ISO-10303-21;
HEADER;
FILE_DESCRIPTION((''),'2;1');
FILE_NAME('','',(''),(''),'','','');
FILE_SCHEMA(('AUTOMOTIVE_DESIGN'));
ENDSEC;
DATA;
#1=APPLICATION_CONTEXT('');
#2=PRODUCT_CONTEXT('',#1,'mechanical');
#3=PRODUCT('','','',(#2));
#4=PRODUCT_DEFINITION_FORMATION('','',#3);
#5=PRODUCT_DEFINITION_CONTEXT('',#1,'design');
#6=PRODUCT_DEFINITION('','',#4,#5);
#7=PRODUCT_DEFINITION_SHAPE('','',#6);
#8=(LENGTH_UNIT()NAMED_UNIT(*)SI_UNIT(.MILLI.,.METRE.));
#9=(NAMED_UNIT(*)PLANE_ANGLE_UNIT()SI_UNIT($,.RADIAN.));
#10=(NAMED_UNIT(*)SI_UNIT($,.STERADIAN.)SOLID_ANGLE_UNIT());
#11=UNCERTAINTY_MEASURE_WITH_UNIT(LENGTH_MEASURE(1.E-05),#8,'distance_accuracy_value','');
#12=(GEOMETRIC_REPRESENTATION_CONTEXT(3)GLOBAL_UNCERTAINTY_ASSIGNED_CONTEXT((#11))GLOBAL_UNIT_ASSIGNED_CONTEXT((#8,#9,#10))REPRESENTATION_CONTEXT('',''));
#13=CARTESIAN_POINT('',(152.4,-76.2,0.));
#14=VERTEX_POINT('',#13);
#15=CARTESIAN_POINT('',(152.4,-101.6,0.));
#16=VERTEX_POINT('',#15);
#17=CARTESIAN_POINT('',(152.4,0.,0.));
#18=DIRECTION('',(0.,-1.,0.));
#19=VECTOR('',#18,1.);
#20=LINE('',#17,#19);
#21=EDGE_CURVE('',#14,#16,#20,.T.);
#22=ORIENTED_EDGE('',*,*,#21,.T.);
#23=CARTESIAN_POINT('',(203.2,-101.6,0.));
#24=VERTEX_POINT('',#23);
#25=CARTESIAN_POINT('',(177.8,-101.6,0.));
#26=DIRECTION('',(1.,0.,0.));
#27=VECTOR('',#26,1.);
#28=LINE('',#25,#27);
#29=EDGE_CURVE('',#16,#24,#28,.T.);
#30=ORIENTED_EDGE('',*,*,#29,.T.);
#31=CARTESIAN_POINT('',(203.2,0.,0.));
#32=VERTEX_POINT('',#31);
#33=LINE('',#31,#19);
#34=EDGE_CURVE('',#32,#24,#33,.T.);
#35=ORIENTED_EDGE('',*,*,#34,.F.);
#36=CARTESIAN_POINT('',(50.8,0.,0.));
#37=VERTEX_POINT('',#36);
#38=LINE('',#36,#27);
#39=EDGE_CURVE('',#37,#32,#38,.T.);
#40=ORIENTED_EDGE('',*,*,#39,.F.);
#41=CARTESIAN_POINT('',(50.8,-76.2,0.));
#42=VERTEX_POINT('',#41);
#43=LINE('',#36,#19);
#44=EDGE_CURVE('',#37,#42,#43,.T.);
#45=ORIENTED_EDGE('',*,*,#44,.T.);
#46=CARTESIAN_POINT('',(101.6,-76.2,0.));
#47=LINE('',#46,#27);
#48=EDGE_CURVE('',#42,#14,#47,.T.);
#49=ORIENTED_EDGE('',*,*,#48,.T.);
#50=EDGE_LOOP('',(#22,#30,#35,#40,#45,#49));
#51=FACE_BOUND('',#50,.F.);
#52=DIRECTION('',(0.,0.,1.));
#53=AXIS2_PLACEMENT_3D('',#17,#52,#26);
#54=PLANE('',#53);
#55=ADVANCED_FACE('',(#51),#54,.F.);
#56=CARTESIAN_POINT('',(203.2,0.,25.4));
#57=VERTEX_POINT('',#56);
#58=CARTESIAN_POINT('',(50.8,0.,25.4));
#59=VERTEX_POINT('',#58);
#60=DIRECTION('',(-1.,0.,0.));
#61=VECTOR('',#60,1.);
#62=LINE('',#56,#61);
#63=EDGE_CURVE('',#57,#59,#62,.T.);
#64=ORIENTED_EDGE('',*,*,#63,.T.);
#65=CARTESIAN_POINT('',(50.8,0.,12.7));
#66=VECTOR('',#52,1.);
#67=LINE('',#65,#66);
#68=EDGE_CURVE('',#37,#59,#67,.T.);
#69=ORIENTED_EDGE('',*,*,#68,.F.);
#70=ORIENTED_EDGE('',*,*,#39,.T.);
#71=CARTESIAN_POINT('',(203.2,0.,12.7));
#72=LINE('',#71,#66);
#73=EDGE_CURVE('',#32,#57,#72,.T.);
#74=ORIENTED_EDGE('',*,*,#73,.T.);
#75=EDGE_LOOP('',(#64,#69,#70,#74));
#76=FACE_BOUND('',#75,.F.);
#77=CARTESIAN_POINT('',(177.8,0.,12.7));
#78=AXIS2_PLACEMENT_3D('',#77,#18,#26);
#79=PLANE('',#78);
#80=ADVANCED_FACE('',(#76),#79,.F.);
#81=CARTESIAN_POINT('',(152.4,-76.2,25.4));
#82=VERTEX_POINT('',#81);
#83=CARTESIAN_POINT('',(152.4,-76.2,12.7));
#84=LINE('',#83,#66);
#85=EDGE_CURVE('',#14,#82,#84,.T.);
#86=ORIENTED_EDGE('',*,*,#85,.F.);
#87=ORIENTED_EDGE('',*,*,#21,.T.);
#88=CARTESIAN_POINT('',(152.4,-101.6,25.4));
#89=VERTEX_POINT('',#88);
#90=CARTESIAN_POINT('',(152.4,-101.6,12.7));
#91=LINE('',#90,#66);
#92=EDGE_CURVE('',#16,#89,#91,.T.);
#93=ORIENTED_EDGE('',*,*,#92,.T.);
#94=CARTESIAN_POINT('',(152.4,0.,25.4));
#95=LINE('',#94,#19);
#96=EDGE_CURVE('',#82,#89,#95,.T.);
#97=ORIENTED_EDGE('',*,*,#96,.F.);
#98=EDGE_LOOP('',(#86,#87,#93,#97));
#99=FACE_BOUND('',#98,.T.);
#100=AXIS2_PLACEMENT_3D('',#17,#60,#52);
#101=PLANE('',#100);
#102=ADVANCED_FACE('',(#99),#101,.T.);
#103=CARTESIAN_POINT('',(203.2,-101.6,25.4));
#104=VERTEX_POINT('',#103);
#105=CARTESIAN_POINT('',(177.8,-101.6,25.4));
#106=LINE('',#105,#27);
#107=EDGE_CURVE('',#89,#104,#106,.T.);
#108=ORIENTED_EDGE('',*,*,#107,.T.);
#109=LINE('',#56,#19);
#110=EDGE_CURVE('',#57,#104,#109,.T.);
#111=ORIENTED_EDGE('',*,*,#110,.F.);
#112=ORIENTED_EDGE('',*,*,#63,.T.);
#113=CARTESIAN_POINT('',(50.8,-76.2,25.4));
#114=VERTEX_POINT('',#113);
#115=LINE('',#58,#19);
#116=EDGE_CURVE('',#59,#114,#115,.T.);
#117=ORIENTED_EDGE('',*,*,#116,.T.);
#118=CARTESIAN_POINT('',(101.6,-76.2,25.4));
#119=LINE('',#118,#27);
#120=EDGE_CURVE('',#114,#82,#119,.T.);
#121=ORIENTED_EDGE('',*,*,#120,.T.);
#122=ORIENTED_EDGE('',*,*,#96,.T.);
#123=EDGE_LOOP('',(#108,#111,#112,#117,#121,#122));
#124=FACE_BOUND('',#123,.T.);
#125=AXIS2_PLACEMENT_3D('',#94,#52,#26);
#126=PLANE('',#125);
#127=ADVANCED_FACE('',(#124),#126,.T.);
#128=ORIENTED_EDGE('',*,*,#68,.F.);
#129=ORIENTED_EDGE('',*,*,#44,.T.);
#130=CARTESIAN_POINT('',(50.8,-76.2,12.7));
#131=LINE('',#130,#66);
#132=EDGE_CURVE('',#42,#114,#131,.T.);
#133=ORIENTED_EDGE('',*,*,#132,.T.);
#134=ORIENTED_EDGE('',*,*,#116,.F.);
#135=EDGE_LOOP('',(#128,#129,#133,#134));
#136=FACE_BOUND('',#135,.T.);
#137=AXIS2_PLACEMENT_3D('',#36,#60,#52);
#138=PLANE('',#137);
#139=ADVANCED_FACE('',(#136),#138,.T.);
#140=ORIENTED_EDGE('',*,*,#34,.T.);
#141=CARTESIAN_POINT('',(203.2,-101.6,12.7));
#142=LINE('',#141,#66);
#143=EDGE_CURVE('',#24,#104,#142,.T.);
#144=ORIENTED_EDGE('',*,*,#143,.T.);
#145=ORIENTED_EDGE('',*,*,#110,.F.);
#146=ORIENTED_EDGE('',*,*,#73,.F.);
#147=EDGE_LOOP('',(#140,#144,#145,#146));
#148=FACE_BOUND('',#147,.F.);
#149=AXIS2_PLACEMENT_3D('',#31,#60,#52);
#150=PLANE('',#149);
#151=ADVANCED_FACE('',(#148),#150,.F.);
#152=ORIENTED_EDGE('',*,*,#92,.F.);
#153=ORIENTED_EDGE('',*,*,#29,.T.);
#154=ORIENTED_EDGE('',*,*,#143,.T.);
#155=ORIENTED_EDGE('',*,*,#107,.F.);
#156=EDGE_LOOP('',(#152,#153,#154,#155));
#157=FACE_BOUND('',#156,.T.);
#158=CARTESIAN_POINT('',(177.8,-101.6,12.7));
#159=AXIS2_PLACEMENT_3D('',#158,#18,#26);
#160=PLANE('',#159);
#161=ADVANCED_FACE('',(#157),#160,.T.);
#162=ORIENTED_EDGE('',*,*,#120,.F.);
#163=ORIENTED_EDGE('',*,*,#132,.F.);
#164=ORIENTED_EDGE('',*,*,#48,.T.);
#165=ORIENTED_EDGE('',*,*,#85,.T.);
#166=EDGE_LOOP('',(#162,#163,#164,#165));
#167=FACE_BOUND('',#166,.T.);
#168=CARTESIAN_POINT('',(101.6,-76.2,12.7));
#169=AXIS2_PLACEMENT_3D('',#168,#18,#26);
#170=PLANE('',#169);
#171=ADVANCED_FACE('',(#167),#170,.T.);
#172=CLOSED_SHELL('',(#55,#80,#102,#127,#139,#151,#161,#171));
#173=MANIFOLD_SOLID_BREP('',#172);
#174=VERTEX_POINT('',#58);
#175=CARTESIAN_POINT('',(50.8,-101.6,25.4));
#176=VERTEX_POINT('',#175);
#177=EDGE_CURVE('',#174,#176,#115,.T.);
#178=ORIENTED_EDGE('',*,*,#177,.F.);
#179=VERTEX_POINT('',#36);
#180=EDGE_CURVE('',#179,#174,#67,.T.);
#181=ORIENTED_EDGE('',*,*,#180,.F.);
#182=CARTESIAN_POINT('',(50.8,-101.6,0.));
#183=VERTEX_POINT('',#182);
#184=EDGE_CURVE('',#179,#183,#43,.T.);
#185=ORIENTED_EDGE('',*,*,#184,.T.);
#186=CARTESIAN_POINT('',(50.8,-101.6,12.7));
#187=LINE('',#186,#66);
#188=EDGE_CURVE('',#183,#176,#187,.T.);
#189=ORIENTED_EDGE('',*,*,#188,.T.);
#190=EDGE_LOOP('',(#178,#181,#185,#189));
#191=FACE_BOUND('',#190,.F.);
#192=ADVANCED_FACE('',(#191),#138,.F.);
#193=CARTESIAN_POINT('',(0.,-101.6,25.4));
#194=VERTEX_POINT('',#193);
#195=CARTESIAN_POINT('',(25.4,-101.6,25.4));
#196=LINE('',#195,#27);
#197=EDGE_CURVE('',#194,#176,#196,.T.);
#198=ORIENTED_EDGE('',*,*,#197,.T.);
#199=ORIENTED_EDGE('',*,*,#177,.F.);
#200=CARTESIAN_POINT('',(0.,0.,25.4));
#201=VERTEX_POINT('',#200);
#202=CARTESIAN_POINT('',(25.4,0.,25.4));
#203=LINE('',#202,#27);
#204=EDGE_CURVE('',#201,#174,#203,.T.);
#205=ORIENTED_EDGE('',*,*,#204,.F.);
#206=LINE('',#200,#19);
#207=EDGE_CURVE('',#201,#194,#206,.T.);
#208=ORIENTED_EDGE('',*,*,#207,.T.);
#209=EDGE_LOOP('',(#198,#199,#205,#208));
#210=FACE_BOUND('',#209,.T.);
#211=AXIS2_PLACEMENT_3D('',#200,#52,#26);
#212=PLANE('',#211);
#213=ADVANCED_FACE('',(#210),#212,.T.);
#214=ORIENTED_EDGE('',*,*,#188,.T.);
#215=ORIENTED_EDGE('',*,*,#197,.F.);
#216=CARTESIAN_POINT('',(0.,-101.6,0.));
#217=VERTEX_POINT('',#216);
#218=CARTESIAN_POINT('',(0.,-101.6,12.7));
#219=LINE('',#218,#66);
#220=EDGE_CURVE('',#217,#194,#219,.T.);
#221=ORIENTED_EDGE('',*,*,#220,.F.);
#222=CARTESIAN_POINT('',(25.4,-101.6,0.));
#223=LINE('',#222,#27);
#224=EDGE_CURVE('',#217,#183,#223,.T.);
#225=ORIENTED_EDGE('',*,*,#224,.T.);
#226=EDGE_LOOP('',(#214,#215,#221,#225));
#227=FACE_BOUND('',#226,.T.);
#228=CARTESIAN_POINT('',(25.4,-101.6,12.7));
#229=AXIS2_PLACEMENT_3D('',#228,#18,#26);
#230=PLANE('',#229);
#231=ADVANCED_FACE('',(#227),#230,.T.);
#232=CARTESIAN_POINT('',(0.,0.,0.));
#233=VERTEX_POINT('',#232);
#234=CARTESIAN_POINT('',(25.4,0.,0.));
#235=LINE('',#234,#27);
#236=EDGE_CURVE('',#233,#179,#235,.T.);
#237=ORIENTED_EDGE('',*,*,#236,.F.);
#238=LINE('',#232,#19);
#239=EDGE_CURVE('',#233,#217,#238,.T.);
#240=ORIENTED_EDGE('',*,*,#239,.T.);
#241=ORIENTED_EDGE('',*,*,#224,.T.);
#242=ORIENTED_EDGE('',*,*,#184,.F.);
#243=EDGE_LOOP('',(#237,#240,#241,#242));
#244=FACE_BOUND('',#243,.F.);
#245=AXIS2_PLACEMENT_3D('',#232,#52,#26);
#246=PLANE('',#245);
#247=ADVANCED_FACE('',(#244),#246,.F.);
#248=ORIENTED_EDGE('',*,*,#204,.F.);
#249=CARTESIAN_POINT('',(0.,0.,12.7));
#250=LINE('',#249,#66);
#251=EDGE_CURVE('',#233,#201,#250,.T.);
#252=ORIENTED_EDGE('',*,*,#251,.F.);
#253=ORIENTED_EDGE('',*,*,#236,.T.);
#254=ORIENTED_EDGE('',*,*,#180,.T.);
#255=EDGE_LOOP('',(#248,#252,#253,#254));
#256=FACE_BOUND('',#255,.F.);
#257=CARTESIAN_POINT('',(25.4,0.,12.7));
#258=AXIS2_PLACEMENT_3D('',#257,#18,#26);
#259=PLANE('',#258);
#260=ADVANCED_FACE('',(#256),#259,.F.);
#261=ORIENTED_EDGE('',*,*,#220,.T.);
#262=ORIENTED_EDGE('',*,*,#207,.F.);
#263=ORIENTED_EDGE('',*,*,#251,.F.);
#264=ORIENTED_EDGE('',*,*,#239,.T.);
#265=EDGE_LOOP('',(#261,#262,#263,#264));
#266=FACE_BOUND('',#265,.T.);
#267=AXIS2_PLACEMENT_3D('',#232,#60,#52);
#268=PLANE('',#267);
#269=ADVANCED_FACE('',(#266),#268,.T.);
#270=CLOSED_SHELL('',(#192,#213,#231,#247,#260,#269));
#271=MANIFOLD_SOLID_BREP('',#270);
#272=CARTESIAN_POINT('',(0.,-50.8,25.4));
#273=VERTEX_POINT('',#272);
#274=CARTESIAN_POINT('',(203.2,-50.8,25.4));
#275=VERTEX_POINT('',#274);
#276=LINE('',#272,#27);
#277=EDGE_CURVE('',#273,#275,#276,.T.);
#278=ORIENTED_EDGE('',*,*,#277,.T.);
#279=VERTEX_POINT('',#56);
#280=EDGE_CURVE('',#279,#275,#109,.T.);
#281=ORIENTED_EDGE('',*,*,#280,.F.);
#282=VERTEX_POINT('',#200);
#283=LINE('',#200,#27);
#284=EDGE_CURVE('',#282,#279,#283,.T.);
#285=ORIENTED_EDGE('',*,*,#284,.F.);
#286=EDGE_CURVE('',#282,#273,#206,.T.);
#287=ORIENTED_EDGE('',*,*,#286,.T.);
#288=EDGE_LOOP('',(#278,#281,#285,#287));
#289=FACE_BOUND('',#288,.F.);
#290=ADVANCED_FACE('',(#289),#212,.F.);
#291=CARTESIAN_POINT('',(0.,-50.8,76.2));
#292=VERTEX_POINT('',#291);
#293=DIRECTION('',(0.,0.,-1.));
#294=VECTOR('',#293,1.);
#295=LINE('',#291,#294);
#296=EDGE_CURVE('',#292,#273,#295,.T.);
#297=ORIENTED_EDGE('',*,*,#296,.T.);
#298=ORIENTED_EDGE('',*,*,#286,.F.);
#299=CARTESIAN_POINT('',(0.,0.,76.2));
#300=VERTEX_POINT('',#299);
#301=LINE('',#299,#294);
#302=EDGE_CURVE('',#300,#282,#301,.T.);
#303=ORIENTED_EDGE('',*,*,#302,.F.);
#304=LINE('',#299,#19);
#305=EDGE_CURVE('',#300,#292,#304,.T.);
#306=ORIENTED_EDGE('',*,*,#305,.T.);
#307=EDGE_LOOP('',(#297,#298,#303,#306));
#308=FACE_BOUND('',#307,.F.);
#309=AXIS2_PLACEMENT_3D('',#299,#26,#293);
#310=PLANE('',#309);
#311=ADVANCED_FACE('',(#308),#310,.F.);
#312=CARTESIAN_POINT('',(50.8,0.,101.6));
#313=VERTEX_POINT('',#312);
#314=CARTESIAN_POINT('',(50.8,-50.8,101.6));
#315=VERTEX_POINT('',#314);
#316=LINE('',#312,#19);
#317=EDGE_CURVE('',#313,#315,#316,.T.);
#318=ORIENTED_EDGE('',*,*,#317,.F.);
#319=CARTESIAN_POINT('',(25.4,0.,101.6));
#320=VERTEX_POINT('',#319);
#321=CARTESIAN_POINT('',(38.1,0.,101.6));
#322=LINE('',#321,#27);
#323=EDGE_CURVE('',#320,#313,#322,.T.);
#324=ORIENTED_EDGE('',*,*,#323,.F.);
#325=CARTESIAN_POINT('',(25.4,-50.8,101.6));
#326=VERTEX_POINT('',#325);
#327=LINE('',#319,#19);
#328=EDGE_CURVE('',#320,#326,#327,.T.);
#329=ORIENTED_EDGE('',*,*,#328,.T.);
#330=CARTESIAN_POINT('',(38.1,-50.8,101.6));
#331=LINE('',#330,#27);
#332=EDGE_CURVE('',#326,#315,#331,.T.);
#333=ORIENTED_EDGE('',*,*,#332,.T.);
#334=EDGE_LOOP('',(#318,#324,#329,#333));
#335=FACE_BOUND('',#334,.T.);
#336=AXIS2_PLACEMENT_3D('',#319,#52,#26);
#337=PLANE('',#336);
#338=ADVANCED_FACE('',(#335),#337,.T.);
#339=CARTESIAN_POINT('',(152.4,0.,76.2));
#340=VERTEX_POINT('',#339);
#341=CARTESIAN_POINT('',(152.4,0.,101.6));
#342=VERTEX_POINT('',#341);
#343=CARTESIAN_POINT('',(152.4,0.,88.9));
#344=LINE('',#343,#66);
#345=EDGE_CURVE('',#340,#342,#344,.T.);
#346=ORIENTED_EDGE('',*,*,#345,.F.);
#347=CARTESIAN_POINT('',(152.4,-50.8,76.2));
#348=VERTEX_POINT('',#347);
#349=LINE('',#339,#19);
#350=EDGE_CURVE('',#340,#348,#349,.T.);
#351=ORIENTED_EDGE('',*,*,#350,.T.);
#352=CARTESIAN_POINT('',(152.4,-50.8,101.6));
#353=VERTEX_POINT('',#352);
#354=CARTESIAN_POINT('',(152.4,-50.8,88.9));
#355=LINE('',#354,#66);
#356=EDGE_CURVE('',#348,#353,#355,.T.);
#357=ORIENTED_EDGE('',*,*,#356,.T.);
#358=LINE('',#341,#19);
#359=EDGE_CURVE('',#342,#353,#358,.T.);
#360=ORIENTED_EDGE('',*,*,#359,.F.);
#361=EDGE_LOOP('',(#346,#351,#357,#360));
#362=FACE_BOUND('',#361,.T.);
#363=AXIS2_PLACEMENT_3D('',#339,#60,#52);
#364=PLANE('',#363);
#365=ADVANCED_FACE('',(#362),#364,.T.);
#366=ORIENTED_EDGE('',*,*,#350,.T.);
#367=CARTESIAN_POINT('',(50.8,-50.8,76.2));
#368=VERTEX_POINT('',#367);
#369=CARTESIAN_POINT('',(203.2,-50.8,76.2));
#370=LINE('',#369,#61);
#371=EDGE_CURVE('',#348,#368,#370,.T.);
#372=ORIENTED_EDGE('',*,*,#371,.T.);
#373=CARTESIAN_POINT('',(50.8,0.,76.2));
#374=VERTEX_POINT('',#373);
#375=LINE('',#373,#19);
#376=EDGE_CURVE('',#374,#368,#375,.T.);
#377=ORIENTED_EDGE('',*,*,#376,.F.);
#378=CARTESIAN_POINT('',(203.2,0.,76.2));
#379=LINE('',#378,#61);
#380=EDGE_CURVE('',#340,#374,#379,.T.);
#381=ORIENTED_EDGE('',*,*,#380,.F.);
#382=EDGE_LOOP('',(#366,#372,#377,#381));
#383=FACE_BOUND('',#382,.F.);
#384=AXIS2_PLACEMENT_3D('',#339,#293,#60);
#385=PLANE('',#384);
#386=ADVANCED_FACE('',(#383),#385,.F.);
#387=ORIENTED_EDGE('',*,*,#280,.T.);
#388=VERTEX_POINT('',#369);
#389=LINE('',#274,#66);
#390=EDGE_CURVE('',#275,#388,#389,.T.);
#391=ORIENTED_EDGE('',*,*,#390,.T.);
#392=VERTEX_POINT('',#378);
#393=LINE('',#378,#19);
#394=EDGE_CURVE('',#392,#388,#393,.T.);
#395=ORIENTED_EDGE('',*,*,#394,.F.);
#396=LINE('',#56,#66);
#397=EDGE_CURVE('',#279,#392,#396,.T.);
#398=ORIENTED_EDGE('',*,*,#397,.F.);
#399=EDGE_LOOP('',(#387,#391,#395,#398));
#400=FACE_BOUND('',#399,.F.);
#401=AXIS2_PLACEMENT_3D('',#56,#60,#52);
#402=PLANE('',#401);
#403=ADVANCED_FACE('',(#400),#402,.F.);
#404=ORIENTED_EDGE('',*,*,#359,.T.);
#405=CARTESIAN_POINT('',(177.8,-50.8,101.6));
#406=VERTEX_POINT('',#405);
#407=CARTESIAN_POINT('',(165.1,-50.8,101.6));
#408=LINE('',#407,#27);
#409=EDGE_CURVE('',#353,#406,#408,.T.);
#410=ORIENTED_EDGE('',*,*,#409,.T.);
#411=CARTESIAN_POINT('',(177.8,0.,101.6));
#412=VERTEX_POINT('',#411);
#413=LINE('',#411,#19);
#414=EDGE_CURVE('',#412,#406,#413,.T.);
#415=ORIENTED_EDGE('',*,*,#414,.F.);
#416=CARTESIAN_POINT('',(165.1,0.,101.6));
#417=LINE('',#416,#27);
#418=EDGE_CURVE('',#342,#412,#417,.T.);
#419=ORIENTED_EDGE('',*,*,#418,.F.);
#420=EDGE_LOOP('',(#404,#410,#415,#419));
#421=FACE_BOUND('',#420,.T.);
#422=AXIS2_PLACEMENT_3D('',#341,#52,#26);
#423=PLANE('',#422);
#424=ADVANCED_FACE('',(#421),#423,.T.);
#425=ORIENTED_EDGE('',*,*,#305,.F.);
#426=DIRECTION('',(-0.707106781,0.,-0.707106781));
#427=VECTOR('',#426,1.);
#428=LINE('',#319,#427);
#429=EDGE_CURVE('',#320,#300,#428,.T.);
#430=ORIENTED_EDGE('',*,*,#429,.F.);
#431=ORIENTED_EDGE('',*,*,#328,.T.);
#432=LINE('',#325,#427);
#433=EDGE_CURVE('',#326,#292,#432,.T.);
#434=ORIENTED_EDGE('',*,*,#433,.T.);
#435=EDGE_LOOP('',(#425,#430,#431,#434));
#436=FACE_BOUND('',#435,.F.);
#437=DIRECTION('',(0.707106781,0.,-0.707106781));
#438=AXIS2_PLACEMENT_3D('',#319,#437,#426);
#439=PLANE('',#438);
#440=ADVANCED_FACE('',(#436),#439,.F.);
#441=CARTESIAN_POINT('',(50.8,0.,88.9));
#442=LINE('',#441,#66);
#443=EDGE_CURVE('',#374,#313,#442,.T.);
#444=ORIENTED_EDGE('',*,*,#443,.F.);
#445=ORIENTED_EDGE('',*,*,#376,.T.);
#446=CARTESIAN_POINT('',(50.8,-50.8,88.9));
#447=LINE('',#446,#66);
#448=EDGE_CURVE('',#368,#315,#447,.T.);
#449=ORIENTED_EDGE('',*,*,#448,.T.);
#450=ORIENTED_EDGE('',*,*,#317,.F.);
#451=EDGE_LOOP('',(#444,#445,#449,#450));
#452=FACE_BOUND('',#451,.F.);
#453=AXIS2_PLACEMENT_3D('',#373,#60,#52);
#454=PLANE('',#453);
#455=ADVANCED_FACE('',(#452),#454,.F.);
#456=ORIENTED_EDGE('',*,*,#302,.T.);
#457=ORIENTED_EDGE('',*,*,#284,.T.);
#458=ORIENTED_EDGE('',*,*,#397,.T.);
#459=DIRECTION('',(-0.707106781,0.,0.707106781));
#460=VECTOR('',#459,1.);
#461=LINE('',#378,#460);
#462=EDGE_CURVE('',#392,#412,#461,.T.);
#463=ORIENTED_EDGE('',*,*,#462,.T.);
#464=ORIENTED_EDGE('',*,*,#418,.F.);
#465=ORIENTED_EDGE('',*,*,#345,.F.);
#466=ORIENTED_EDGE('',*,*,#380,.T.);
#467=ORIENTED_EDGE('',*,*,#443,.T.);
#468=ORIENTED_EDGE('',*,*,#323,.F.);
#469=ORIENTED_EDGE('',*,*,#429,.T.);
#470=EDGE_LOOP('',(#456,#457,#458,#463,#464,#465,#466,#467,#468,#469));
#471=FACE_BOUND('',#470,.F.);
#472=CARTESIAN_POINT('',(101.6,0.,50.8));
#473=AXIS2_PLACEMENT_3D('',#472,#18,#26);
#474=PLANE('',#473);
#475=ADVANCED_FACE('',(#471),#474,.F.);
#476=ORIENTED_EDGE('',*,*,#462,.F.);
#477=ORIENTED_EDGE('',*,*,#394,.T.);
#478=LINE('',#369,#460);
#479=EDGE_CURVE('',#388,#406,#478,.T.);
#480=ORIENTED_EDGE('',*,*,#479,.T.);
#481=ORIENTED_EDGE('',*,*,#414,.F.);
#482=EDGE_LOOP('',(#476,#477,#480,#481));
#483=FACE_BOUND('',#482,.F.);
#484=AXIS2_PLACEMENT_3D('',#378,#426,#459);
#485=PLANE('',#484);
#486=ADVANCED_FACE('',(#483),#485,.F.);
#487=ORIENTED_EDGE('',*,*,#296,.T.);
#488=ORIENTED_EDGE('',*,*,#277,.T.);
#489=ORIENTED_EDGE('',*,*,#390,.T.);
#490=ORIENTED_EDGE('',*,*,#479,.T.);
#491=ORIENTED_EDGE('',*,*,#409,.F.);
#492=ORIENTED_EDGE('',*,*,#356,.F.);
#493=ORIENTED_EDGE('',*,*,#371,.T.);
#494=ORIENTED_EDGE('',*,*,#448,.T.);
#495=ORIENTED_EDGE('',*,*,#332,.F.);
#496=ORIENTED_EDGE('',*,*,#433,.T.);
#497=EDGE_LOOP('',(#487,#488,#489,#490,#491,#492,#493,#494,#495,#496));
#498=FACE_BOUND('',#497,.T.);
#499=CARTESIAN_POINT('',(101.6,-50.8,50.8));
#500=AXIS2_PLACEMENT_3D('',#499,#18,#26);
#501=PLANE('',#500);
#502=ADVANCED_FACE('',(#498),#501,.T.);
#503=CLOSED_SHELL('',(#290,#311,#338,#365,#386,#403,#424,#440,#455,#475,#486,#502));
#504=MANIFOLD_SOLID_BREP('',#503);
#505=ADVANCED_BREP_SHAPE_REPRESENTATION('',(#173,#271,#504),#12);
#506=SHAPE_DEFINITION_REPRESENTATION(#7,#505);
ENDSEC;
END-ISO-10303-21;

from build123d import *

# Parameters (mm, degrees)
F0_W     = 50.8
F0_H     = 25.4
F1_DEPTH = 101.6
F0_W_2   = 101.6
F2_DEPTH = 76.2
F3_DEPTH = 101.6
F0_W_3   = 25.4
F4_DEPTH = 50.8


with BuildPart() as f1:
    # F0 (on Front) → F1 (new body)
    with BuildSketch(Plane.XZ):
        with Locations((25.4, 12.7)):
            Rectangle(F0_W, F0_H)
    extrude(amount=F1_DEPTH)


with BuildPart() as f2:
    # F0 (on Front) → F2 (new body)
    with BuildSketch(Plane.XZ):
        with Locations((101.6, 12.7)):
            Rectangle(F0_W_2, F0_H)
    extrude(amount=F2_DEPTH)

    # F0 (on Front) → F3 (join)
    with BuildSketch(Plane.XZ):
        with Locations((177.8, 12.7)):
            Rectangle(F0_W, F0_H)
    extrude(amount=F3_DEPTH)


with BuildPart() as f4:
    # F0 (on Front) → F4 (new body)
    with BuildSketch(Plane.XZ):
        Polygon((0, 76.2), (0, 25.4), (50.8, 25.4), (152.4, 25.4), (203.2, 25.4), (203.2, 76.2), (177.8, 76.2), (152.4, 76.2), (50.8, 76.2), (25.4, 76.2), align=None)
        with Locations((38.1, 88.9)):
            Rectangle(F0_W_3, F0_H)
        Polygon((25.4, 101.6), (0, 76.2), (25.4, 76.2), align=None)
        with Locations((165.1, 88.9)):
            Rectangle(F0_W_3, F0_H)
        Polygon((177.8, 76.2), (203.2, 76.2), (177.8, 101.6), align=None)
    extrude(amount=F4_DEPTH)


solid = Compound([f1.part, f2.part, f4.part])
